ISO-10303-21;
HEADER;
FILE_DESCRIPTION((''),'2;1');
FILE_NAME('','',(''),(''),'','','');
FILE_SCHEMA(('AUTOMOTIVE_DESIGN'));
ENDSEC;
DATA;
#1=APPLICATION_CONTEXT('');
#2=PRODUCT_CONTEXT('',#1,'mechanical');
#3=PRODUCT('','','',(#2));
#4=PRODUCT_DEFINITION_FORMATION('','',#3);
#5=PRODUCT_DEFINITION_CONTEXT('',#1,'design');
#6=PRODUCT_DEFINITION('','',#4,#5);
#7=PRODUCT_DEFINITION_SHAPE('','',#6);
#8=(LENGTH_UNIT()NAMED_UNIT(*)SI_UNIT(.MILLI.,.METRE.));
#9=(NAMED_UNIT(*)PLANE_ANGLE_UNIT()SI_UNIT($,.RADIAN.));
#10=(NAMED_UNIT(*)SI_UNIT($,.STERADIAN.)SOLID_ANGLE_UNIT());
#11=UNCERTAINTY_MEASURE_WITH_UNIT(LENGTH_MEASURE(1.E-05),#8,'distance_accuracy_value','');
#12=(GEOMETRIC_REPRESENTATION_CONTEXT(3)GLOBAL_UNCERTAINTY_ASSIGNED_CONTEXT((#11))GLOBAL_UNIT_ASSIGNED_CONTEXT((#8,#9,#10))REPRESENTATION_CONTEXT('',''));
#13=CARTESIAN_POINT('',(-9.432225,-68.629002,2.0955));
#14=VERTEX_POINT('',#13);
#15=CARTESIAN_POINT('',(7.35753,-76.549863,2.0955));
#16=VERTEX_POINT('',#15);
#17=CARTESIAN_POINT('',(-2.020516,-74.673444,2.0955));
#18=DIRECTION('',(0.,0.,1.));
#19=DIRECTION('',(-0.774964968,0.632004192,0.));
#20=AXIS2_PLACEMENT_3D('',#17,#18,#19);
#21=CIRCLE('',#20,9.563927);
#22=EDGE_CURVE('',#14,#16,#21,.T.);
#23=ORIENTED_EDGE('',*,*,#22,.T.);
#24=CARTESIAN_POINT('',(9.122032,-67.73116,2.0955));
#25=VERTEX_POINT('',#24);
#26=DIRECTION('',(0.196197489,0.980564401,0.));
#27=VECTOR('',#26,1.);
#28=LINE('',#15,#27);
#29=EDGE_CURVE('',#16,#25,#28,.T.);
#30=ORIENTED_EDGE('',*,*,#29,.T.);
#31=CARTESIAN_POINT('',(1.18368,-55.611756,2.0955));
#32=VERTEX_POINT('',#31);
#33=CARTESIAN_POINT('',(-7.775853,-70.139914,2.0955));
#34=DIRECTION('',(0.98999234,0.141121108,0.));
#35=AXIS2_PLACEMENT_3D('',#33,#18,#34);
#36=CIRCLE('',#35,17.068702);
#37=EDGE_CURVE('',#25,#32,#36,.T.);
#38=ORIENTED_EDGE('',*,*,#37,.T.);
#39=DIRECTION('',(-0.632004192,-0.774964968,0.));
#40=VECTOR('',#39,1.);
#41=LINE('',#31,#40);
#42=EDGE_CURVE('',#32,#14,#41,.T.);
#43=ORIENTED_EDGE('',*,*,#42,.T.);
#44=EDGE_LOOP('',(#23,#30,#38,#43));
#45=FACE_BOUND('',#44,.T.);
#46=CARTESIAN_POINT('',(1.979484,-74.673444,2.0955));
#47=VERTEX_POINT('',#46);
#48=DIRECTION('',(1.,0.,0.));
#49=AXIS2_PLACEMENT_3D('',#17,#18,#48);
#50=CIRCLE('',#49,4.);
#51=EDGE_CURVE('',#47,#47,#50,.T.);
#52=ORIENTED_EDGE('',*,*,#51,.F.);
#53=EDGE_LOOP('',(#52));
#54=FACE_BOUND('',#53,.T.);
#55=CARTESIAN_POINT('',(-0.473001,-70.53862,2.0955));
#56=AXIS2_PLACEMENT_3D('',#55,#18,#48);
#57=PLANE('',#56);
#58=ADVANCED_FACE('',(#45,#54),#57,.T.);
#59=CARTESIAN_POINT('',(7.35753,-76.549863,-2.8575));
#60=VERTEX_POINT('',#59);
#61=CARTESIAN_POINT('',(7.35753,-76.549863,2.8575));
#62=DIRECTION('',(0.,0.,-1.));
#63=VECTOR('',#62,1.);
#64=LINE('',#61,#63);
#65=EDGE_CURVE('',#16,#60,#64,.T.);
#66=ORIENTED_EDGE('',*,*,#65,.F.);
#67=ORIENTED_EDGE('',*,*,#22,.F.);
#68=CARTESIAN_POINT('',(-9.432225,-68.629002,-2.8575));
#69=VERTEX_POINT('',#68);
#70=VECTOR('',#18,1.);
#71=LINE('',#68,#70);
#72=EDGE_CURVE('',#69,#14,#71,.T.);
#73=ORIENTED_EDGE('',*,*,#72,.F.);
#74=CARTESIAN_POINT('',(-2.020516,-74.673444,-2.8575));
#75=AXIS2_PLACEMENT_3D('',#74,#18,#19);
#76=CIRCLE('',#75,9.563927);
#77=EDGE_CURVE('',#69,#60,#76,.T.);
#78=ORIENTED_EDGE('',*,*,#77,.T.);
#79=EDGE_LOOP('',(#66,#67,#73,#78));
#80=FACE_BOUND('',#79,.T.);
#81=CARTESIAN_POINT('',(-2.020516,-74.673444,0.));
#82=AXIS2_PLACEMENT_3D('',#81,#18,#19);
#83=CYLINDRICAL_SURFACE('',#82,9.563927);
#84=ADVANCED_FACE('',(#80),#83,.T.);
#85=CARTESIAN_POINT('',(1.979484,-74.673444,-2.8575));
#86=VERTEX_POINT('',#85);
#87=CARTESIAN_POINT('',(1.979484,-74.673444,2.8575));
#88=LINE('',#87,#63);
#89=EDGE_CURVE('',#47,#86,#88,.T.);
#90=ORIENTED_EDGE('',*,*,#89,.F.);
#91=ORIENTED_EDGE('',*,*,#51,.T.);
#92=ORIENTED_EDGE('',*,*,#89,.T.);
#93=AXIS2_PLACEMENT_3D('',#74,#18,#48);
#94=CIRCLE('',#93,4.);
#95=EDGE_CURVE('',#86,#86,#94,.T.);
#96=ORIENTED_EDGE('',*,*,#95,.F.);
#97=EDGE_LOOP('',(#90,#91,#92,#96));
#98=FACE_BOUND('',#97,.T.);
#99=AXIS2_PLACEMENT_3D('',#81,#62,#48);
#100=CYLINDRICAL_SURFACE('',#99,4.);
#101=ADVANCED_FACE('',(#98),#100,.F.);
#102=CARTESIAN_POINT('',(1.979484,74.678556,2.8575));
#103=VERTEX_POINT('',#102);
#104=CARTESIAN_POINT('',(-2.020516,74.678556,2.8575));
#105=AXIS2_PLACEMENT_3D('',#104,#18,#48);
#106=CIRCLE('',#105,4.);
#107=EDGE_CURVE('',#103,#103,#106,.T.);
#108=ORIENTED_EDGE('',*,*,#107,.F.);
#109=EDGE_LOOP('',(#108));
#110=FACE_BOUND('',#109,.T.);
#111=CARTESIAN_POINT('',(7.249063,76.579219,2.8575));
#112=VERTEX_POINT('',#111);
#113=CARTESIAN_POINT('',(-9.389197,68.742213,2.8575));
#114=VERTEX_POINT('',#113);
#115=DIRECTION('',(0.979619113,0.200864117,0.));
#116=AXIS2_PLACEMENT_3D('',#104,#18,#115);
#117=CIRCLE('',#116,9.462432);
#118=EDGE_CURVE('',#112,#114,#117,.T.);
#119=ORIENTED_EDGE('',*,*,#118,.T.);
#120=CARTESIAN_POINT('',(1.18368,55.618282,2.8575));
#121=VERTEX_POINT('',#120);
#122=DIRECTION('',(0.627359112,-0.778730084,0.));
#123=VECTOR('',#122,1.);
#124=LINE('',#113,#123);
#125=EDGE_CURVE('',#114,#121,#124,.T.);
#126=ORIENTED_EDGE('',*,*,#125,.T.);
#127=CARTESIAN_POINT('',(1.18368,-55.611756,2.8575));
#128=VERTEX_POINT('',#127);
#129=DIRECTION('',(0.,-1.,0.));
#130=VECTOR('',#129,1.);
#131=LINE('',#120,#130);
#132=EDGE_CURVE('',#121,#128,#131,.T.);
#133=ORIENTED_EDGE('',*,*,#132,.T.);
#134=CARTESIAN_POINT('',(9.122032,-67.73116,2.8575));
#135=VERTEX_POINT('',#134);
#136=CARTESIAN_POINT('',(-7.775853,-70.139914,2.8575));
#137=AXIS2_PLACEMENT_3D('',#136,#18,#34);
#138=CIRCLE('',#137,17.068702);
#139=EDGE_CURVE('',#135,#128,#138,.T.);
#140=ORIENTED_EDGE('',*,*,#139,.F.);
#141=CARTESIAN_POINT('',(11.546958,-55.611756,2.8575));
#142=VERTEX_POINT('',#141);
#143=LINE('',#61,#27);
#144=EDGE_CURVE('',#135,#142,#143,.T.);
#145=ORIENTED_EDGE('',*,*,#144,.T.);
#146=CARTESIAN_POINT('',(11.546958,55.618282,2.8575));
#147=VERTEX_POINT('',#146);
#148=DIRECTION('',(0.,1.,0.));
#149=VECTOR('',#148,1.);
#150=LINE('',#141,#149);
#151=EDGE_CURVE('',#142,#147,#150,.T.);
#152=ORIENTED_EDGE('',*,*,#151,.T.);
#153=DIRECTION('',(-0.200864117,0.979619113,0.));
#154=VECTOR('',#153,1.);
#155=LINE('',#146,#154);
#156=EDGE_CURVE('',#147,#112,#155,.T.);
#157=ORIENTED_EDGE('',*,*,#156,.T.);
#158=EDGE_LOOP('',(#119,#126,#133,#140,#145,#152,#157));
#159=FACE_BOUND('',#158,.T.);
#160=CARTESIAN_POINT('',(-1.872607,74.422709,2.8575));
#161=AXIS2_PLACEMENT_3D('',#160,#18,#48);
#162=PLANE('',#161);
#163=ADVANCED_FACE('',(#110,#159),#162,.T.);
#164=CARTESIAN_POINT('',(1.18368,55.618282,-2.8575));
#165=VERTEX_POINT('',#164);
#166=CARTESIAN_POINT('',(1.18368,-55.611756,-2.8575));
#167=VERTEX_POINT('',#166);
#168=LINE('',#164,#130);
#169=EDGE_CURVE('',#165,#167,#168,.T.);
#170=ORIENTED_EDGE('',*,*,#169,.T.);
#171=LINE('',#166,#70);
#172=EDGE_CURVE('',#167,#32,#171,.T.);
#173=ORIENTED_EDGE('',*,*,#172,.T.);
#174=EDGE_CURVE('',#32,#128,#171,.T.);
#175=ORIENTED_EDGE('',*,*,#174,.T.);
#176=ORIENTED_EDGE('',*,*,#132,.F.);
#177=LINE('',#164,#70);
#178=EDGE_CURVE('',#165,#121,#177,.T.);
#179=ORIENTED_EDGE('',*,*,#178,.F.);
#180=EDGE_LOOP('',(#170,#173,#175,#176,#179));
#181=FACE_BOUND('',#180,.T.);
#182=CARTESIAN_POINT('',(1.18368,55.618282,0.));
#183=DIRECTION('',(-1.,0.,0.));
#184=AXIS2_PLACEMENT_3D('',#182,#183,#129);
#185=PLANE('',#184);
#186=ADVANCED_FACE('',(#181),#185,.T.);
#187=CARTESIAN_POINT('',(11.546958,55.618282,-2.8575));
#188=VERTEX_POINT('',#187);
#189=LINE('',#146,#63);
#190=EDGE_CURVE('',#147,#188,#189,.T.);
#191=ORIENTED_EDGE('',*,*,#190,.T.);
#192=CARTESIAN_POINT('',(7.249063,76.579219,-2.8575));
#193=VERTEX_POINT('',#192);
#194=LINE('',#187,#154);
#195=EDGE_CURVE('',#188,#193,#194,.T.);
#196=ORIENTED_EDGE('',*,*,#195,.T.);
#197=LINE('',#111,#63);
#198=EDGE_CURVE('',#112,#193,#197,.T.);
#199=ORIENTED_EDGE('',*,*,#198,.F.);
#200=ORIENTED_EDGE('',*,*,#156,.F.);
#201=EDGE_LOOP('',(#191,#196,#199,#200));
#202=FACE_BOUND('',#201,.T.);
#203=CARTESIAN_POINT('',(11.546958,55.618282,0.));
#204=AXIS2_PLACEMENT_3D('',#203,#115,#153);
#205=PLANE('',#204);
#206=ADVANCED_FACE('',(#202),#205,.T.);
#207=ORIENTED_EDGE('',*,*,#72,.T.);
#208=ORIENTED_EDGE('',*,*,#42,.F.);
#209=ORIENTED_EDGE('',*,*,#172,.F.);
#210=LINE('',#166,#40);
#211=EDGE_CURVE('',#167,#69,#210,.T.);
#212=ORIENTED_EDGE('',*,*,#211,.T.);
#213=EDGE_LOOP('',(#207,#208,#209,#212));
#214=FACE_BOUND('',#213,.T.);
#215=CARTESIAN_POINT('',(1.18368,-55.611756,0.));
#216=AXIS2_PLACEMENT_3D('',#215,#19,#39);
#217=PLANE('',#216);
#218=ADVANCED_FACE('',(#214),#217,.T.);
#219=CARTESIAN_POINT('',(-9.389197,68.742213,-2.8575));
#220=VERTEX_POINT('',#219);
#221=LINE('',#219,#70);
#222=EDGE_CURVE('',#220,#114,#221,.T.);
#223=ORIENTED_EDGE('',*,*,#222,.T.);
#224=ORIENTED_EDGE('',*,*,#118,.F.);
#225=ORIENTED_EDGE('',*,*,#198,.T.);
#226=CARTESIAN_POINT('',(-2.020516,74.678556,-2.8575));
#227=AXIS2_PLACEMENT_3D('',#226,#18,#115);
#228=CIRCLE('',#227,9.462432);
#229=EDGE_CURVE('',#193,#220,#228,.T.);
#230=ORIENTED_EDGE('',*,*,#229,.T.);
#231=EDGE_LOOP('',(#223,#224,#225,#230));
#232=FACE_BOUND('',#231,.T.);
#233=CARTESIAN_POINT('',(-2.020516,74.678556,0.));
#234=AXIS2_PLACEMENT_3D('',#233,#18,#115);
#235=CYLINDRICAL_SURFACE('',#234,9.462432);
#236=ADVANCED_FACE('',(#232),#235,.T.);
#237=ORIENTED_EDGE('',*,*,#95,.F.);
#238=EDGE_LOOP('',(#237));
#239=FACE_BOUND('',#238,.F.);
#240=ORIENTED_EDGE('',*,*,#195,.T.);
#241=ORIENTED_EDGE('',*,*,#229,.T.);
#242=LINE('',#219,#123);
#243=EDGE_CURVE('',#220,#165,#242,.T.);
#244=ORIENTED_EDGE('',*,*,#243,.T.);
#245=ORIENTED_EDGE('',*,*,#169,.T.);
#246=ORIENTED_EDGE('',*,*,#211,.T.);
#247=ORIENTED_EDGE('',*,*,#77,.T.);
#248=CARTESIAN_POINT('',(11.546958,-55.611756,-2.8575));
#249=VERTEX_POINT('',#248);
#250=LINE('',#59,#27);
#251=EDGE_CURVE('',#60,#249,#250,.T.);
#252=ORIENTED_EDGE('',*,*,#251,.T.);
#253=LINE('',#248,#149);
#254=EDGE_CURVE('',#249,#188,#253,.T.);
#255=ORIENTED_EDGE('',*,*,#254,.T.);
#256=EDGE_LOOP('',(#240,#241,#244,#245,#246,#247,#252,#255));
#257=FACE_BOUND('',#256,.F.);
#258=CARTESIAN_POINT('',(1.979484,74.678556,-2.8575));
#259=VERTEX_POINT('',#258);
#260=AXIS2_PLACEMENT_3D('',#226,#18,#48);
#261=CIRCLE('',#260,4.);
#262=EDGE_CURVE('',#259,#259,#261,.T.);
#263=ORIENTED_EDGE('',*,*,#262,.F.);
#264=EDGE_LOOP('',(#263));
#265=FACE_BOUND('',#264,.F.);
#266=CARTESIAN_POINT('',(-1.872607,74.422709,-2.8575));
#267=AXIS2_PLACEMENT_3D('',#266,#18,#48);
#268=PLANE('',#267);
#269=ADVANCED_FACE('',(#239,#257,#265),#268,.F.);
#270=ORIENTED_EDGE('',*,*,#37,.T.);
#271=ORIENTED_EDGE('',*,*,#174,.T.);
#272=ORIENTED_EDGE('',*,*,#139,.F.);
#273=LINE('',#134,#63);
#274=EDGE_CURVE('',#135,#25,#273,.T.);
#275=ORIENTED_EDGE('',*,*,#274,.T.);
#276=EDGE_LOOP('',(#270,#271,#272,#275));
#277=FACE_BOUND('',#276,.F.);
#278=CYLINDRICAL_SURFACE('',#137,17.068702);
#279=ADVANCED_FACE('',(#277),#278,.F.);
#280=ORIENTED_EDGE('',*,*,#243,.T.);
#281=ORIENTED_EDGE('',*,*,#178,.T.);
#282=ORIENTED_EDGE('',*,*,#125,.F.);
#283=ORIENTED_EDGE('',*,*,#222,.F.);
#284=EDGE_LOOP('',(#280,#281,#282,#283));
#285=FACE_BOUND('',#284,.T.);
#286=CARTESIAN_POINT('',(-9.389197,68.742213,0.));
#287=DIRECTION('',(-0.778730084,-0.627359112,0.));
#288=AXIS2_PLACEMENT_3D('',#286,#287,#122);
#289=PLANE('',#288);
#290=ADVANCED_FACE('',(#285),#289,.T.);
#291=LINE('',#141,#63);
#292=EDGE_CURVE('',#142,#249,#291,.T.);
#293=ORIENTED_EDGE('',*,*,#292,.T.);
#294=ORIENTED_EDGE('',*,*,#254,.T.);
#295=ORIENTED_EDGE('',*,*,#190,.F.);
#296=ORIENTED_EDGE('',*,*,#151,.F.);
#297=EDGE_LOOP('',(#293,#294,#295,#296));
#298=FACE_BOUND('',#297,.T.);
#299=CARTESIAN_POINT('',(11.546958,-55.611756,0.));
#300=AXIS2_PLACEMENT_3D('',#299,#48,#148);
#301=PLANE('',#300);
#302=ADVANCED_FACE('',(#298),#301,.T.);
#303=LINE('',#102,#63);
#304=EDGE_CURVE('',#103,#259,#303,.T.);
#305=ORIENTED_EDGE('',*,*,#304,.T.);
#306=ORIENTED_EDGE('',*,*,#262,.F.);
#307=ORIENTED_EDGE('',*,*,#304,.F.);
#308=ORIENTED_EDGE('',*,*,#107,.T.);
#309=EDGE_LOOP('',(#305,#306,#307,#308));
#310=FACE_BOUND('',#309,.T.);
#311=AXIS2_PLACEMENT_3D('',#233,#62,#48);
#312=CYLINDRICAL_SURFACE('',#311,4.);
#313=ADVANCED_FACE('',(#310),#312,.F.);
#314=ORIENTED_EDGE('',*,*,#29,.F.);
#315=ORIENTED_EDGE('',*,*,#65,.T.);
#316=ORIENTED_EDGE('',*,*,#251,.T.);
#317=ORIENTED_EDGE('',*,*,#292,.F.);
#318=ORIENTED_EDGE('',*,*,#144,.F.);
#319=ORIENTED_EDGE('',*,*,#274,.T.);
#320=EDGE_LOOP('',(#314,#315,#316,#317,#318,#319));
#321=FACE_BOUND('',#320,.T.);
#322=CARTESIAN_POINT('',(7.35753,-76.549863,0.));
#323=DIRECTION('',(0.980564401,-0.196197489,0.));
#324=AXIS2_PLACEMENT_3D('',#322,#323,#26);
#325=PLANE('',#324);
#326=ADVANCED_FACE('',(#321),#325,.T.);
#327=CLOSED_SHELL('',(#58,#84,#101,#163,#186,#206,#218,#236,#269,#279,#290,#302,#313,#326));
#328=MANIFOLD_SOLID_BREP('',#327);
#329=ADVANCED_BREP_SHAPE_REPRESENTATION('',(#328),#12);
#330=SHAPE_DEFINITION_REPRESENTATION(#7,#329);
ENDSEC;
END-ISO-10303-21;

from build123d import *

# Parameters (mm, degrees)
F0_R     = 4
F1_DEPTH = 2.8575
F2_R     = 4
F3_DEPTH = 0.762


with BuildPart() as f1:
    # F0 (on Top) → F1 (new body, symmetric)
    with BuildSketch(Plane.XY):
        with BuildLine():
            ThreePointArc((-9.3891972775, 68.7422127286), (1.1268621176, 65.7548999509), (7.4419160472, 74.6785559673))
            ThreePointArc((7.4419160472, 74.6785559673), (7.393579397, 75.6337670155), (7.2490632795, 76.5792191137))
            ThreePointArc((7.2490632795, 76.5792191137), (-6.052640116, 83.2389068388), (-9.3891972775, 68.7422127286))
        make_face()
        with Locations((-2.0205164328, 74.6785559673)):
            Circle(F0_R, mode=Mode.SUBTRACT)
        with BuildLine():
            ThreePointArc((7.2490632795, 76.5792191137), (7.393579397, 75.6337670155), (7.4419160472, 74.6785559673))
            ThreePointArc((7.4419160472, 74.6785559673), (1.1268621176, 65.7548999509), (-9.3891972775, 68.7422127286))
            Line((-9.3891972775, 68.7422127286), (1.1836795602, 55.6182824075))
            Line((1.1836795602, 55.6182824075), (1.1836795602, -55.6117556989))
            Line((1.1836795602, -55.6117556989), (-9.4322250372, -68.6290018915))
            ThreePointArc((-9.4322250372, -68.6290018915), (1.1875720196, -65.6636230735), (7.5434108585, -74.6734440327))
            ThreePointArc((7.5434108585, -74.6734440327), (7.4968272467, -75.6162454537), (7.3575302067, -76.5498625525))
            Line((7.3575302067, -76.5498625525), (11.5469582379, -55.6117556989))
            Line((11.5469582379, -55.6117556989), (11.5469582379, 55.6182824075))
            Line((11.5469582379, 55.6182824075), (7.2490632795, 76.5792191137))
        make_face()
        with BuildLine():
            ThreePointArc((-9.4322250372, -68.6290018915), (-6.1011572795, -83.3231304729), (7.3575302067, -76.5498625525))
            ThreePointArc((7.3575302067, -76.5498625525), (7.4968272467, -75.6162454537), (7.5434108585, -74.6734440327))
            ThreePointArc((7.5434108585, -74.6734440327), (1.1875720196, -65.6636230735), (-9.4322250372, -68.6290018915))
        make_face()
        with Locations((-2.0205164328, -74.6734440327)):
            Circle(F0_R, mode=Mode.SUBTRACT)
    extrude(amount=F1_DEPTH, both=True)

    # F2 (on face) → F3 (cut)
    with BuildSketch(Plane.XY.offset(2.8575)):
        with BuildLine():
            Line((7.3575302067, -76.5498625525), (9.1220317198, -67.7311596292))
            ThreePointArc((9.1220317198, -67.7311596292), (6.5025045899, -60.7874217232), (1.1836795602, -55.6117556989))
            Line((1.1836795602, -55.6117556989), (-9.4322250372, -68.6290018915))
            ThreePointArc((-9.4322250372, -68.6290018915), (-6.1011572795, -83.3231304729), (7.3575302067, -76.5498625525))
        make_face()
        with Locations((-2.0205164328, -74.6734440327)):
            Circle(F2_R, mode=Mode.SUBTRACT)
    extrude(amount=-F3_DEPTH, mode=Mode.SUBTRACT)


solid = f1.part
